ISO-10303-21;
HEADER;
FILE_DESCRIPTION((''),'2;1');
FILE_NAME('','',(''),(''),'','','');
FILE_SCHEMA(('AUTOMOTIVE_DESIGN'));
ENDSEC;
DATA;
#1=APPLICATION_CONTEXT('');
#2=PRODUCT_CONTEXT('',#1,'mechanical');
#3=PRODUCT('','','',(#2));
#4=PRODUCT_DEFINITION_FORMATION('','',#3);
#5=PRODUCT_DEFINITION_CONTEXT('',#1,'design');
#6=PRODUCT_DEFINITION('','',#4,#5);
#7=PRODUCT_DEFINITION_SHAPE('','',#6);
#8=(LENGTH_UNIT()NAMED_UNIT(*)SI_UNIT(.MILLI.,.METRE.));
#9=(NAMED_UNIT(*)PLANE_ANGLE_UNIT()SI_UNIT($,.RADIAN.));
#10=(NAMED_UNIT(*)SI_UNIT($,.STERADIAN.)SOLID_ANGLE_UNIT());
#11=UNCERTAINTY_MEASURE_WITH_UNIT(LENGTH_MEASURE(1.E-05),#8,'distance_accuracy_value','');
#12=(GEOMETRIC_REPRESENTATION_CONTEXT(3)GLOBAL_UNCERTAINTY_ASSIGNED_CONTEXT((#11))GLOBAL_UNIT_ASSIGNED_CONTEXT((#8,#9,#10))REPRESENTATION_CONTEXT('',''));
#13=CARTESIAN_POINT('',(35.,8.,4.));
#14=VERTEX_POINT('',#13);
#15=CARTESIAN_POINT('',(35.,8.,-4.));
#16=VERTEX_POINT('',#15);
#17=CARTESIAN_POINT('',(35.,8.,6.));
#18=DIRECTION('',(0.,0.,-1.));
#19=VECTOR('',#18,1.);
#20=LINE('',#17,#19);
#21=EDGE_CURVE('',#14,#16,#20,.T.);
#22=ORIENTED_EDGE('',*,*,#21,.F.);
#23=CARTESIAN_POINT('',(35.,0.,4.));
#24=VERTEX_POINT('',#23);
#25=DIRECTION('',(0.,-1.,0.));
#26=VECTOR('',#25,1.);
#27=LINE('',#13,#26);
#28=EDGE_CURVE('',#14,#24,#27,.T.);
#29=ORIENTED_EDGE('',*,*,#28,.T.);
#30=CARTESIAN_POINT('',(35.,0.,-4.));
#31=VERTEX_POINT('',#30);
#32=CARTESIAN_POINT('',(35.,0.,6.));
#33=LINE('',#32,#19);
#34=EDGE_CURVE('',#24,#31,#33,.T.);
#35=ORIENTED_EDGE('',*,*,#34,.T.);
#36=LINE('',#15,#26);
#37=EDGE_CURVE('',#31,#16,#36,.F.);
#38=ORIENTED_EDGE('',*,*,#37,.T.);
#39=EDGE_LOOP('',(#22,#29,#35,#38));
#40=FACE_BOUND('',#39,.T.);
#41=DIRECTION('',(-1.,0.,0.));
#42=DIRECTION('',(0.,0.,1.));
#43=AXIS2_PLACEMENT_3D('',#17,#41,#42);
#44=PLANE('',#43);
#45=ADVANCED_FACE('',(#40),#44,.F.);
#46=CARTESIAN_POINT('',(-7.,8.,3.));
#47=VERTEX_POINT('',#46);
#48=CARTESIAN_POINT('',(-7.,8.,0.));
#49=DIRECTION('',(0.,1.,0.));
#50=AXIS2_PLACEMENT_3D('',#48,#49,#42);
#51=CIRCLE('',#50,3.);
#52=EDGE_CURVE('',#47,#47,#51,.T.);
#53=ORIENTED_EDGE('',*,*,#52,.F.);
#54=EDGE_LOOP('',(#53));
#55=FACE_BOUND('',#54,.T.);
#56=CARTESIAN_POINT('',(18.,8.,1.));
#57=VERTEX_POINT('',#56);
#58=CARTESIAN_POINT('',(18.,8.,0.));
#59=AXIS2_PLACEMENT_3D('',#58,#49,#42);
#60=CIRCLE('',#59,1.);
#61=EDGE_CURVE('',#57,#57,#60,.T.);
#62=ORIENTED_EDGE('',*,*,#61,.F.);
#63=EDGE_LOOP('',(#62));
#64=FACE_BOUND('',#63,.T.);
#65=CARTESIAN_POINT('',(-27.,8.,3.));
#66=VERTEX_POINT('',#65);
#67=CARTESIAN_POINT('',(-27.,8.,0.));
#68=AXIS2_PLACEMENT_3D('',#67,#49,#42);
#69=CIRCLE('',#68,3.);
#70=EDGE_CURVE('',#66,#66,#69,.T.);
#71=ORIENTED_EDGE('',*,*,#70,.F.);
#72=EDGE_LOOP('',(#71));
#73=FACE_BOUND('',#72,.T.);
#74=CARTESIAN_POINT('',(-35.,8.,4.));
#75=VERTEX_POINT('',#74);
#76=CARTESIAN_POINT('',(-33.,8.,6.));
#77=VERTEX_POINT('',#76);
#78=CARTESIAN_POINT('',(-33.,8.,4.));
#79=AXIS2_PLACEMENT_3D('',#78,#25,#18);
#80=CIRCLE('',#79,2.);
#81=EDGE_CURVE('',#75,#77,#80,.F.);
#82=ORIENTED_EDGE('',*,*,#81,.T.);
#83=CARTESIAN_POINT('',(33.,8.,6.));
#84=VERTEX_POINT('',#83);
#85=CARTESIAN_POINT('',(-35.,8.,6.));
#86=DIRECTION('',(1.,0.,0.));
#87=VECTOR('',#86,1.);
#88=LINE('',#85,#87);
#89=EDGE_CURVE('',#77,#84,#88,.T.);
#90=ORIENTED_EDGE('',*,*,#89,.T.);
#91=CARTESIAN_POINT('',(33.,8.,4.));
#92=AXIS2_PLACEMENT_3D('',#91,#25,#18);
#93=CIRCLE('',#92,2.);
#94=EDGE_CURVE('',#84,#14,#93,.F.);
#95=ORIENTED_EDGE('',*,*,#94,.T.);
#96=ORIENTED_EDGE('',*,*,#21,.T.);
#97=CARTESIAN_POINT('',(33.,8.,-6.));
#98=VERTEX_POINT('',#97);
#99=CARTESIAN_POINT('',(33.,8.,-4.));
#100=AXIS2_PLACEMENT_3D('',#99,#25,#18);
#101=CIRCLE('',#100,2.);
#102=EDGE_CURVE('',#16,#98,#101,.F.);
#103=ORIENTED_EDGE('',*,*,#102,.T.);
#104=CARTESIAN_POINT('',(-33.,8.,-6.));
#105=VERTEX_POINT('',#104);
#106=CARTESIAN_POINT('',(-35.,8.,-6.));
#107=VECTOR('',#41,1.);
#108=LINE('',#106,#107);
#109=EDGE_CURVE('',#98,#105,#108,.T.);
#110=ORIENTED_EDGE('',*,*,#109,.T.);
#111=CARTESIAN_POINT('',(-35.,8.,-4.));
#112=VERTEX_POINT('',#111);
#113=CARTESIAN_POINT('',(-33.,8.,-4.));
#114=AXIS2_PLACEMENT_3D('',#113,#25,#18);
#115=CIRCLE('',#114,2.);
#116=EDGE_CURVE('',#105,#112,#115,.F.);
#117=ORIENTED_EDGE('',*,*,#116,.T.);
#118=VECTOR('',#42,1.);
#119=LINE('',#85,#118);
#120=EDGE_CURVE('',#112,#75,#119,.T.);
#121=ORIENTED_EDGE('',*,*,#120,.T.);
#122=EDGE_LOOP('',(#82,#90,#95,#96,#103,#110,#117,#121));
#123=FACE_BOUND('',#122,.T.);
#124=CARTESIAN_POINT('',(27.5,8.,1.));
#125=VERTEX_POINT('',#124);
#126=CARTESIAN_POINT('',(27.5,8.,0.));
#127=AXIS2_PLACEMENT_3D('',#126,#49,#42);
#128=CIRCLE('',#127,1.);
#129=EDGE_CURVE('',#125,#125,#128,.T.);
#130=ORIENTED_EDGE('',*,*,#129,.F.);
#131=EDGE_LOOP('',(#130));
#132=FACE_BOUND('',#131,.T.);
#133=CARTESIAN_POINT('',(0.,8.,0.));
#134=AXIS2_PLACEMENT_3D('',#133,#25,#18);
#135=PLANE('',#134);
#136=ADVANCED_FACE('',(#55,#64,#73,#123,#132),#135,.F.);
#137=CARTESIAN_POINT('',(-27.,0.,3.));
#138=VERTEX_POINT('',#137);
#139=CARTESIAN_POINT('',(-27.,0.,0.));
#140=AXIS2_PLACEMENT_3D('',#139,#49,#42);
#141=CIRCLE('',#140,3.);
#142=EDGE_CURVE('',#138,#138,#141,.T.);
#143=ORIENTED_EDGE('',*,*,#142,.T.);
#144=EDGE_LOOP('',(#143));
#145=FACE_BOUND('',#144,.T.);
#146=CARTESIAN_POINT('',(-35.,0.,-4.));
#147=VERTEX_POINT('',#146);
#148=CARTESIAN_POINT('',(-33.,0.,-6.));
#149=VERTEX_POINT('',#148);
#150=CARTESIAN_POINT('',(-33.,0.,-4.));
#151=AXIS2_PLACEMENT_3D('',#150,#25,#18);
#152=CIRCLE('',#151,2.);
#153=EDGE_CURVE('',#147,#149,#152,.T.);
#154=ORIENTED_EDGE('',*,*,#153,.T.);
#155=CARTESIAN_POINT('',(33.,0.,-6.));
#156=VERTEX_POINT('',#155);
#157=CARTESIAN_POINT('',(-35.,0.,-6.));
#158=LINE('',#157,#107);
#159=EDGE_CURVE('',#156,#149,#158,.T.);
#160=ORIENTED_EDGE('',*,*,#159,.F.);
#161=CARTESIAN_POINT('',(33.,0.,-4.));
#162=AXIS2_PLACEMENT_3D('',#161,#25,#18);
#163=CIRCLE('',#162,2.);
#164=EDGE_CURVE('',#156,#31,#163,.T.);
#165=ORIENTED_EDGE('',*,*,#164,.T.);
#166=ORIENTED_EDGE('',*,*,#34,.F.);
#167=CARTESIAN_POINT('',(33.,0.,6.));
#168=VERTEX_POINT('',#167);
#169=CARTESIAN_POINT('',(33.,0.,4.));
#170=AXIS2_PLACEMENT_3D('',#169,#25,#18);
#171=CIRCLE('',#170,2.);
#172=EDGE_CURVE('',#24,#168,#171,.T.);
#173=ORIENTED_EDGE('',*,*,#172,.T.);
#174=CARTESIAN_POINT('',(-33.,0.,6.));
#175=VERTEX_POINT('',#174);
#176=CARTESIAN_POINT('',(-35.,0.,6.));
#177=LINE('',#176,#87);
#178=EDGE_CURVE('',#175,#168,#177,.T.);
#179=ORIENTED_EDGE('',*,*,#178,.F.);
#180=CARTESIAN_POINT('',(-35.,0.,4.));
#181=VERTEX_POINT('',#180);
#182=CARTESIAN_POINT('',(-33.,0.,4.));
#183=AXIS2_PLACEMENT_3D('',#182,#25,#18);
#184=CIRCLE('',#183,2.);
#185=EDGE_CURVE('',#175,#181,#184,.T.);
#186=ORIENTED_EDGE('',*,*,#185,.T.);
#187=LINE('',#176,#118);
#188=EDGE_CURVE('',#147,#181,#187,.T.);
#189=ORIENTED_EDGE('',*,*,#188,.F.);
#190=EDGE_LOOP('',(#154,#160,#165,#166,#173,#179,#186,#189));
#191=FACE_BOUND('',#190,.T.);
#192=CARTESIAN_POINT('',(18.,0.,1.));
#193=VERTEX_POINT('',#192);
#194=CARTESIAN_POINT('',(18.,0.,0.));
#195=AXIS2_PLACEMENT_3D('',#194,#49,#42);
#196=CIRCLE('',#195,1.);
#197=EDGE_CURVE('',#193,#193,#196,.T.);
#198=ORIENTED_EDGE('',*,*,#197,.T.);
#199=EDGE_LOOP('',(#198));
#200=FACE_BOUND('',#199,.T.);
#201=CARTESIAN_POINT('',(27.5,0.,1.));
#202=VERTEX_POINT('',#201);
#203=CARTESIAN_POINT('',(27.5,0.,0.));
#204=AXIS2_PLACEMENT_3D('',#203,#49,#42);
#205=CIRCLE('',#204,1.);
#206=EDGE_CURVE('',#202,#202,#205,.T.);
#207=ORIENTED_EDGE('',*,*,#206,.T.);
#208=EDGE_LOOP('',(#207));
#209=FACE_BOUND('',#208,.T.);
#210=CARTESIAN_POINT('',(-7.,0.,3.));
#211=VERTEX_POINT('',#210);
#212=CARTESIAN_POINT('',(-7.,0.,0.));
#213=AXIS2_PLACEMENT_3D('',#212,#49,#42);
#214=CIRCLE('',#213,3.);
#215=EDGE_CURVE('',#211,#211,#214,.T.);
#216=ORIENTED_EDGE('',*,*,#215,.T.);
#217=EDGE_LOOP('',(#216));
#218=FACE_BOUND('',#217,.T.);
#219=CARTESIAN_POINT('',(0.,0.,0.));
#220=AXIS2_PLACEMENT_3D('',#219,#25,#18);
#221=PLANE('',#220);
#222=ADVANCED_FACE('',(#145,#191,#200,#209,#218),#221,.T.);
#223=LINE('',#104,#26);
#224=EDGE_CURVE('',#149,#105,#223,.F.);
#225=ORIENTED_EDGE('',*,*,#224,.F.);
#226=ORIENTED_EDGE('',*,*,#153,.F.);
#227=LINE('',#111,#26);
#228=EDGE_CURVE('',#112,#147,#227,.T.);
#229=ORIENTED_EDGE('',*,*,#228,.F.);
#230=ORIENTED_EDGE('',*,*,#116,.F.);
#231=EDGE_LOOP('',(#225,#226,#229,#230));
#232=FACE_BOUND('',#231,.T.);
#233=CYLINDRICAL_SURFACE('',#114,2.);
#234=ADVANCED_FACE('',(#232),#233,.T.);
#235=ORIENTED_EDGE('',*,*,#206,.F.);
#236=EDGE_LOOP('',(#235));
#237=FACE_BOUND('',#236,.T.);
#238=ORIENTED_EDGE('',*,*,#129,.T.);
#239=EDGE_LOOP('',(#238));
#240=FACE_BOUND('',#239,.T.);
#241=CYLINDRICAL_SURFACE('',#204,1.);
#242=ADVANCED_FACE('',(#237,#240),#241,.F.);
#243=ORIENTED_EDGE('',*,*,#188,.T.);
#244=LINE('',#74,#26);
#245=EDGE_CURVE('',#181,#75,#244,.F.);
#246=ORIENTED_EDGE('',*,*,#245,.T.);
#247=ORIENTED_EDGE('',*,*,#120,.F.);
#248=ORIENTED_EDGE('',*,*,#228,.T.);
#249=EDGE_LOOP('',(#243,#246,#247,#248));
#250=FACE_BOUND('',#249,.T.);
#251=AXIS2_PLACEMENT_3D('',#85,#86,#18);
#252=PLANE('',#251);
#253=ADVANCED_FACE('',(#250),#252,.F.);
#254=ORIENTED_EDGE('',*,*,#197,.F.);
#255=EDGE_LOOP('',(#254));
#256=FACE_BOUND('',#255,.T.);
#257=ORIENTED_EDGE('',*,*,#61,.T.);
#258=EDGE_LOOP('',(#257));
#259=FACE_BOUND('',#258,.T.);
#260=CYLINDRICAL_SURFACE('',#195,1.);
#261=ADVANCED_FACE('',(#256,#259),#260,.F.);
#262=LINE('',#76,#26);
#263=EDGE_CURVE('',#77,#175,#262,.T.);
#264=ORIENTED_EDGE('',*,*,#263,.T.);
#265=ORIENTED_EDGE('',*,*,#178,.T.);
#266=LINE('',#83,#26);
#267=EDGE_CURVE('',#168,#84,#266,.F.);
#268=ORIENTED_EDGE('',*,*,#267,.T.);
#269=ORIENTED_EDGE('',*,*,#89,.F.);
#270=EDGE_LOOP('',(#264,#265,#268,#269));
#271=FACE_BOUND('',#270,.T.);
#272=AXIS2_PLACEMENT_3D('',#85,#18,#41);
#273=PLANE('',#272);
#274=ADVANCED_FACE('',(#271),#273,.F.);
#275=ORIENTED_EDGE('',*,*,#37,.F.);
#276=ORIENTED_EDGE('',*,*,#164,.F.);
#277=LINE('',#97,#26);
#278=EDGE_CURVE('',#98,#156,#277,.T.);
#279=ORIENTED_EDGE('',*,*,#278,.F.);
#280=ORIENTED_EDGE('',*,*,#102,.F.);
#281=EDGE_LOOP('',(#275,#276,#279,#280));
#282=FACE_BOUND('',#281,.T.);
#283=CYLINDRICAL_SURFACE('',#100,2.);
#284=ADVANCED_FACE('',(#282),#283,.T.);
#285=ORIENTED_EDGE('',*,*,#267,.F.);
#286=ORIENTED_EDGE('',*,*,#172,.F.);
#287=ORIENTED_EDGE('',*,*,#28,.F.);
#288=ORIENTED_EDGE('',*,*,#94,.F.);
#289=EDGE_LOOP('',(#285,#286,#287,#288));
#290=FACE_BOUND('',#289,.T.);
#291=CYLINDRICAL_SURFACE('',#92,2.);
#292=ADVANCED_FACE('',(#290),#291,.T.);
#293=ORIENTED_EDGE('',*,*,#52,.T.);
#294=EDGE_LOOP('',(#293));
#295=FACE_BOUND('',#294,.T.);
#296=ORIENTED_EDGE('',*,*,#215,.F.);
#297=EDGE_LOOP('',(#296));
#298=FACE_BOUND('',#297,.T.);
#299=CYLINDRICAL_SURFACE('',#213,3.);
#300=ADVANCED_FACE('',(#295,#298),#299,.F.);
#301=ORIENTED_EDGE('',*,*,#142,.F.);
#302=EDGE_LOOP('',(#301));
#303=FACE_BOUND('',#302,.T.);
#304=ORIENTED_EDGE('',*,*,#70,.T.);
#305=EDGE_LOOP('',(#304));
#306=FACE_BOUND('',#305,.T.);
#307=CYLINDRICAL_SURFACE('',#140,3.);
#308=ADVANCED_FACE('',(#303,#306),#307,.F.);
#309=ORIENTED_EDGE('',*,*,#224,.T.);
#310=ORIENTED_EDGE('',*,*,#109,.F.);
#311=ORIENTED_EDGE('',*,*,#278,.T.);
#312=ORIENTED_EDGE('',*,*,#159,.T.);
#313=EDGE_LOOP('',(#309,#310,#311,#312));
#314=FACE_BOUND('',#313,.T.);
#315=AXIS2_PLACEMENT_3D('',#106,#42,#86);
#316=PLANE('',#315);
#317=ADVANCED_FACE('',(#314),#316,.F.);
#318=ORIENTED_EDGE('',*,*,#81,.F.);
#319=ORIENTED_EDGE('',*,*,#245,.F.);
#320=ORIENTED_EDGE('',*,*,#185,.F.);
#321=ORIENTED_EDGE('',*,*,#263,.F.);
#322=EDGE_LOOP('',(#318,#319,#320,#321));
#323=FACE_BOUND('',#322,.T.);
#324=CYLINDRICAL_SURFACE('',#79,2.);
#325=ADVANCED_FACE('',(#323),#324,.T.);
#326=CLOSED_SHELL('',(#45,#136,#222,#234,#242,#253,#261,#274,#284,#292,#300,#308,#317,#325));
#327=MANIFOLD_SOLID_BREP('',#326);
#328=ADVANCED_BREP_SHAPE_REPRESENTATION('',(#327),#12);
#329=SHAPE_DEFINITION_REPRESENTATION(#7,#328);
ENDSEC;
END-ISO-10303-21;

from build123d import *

# Parameters (mm, degrees)
SKETCH1_W           = 70
SKETCH1_H           = 12
BOSS_EXTRUDE1_DEPTH = 8
SKETCH2_R           = 3
SKETCH2_R_2         = 1
CUT_EXTRUDE1_DEPTH  = 37.400549446
FILLET1_R           = 2


with BuildPart() as part:
    # Sketch1 → Boss-Extrude1 (new body)
    with BuildSketch(Plane(origin=(0, 0, 0), x_dir=(1, 0, 0), z_dir=(0, 1, 0))):
        Rectangle(SKETCH1_W, SKETCH1_H)
    extrude(amount=BOSS_EXTRUDE1_DEPTH)

    # Sketch2 → Cut-Extrude1 (cut, through all)
    with BuildSketch(Plane(origin=(0, 8, 0), x_dir=(1, 0, 0), z_dir=(0, 1, 0))):
        with Locations(Location((-27, 0, 0), (0, 0, 270))):
            Circle(SKETCH2_R)
        with Locations(Location((-7, 0, 0), (0, 0, 270))):
            Circle(SKETCH2_R)
        with Locations(Location((18, 0, 0), (0, 0, 270))):
            Circle(SKETCH2_R_2)
        with Locations(Location((27.5, 0, 0), (0, 0, 270))):
            Circle(SKETCH2_R_2)
    extrude(amount=-CUT_EXTRUDE1_DEPTH, mode=Mode.SUBTRACT)

    # Fillet1
    fillet1_edges = [part.edges().sort_by_distance(p)[0] for p in [
        (35, 4, 6),
        (-35, 4, 6),
        (-35, 4, -6),
        (35, 4, -6),
    ]]
    fillet(fillet1_edges, radius=FILLET1_R)


solid = part.part
